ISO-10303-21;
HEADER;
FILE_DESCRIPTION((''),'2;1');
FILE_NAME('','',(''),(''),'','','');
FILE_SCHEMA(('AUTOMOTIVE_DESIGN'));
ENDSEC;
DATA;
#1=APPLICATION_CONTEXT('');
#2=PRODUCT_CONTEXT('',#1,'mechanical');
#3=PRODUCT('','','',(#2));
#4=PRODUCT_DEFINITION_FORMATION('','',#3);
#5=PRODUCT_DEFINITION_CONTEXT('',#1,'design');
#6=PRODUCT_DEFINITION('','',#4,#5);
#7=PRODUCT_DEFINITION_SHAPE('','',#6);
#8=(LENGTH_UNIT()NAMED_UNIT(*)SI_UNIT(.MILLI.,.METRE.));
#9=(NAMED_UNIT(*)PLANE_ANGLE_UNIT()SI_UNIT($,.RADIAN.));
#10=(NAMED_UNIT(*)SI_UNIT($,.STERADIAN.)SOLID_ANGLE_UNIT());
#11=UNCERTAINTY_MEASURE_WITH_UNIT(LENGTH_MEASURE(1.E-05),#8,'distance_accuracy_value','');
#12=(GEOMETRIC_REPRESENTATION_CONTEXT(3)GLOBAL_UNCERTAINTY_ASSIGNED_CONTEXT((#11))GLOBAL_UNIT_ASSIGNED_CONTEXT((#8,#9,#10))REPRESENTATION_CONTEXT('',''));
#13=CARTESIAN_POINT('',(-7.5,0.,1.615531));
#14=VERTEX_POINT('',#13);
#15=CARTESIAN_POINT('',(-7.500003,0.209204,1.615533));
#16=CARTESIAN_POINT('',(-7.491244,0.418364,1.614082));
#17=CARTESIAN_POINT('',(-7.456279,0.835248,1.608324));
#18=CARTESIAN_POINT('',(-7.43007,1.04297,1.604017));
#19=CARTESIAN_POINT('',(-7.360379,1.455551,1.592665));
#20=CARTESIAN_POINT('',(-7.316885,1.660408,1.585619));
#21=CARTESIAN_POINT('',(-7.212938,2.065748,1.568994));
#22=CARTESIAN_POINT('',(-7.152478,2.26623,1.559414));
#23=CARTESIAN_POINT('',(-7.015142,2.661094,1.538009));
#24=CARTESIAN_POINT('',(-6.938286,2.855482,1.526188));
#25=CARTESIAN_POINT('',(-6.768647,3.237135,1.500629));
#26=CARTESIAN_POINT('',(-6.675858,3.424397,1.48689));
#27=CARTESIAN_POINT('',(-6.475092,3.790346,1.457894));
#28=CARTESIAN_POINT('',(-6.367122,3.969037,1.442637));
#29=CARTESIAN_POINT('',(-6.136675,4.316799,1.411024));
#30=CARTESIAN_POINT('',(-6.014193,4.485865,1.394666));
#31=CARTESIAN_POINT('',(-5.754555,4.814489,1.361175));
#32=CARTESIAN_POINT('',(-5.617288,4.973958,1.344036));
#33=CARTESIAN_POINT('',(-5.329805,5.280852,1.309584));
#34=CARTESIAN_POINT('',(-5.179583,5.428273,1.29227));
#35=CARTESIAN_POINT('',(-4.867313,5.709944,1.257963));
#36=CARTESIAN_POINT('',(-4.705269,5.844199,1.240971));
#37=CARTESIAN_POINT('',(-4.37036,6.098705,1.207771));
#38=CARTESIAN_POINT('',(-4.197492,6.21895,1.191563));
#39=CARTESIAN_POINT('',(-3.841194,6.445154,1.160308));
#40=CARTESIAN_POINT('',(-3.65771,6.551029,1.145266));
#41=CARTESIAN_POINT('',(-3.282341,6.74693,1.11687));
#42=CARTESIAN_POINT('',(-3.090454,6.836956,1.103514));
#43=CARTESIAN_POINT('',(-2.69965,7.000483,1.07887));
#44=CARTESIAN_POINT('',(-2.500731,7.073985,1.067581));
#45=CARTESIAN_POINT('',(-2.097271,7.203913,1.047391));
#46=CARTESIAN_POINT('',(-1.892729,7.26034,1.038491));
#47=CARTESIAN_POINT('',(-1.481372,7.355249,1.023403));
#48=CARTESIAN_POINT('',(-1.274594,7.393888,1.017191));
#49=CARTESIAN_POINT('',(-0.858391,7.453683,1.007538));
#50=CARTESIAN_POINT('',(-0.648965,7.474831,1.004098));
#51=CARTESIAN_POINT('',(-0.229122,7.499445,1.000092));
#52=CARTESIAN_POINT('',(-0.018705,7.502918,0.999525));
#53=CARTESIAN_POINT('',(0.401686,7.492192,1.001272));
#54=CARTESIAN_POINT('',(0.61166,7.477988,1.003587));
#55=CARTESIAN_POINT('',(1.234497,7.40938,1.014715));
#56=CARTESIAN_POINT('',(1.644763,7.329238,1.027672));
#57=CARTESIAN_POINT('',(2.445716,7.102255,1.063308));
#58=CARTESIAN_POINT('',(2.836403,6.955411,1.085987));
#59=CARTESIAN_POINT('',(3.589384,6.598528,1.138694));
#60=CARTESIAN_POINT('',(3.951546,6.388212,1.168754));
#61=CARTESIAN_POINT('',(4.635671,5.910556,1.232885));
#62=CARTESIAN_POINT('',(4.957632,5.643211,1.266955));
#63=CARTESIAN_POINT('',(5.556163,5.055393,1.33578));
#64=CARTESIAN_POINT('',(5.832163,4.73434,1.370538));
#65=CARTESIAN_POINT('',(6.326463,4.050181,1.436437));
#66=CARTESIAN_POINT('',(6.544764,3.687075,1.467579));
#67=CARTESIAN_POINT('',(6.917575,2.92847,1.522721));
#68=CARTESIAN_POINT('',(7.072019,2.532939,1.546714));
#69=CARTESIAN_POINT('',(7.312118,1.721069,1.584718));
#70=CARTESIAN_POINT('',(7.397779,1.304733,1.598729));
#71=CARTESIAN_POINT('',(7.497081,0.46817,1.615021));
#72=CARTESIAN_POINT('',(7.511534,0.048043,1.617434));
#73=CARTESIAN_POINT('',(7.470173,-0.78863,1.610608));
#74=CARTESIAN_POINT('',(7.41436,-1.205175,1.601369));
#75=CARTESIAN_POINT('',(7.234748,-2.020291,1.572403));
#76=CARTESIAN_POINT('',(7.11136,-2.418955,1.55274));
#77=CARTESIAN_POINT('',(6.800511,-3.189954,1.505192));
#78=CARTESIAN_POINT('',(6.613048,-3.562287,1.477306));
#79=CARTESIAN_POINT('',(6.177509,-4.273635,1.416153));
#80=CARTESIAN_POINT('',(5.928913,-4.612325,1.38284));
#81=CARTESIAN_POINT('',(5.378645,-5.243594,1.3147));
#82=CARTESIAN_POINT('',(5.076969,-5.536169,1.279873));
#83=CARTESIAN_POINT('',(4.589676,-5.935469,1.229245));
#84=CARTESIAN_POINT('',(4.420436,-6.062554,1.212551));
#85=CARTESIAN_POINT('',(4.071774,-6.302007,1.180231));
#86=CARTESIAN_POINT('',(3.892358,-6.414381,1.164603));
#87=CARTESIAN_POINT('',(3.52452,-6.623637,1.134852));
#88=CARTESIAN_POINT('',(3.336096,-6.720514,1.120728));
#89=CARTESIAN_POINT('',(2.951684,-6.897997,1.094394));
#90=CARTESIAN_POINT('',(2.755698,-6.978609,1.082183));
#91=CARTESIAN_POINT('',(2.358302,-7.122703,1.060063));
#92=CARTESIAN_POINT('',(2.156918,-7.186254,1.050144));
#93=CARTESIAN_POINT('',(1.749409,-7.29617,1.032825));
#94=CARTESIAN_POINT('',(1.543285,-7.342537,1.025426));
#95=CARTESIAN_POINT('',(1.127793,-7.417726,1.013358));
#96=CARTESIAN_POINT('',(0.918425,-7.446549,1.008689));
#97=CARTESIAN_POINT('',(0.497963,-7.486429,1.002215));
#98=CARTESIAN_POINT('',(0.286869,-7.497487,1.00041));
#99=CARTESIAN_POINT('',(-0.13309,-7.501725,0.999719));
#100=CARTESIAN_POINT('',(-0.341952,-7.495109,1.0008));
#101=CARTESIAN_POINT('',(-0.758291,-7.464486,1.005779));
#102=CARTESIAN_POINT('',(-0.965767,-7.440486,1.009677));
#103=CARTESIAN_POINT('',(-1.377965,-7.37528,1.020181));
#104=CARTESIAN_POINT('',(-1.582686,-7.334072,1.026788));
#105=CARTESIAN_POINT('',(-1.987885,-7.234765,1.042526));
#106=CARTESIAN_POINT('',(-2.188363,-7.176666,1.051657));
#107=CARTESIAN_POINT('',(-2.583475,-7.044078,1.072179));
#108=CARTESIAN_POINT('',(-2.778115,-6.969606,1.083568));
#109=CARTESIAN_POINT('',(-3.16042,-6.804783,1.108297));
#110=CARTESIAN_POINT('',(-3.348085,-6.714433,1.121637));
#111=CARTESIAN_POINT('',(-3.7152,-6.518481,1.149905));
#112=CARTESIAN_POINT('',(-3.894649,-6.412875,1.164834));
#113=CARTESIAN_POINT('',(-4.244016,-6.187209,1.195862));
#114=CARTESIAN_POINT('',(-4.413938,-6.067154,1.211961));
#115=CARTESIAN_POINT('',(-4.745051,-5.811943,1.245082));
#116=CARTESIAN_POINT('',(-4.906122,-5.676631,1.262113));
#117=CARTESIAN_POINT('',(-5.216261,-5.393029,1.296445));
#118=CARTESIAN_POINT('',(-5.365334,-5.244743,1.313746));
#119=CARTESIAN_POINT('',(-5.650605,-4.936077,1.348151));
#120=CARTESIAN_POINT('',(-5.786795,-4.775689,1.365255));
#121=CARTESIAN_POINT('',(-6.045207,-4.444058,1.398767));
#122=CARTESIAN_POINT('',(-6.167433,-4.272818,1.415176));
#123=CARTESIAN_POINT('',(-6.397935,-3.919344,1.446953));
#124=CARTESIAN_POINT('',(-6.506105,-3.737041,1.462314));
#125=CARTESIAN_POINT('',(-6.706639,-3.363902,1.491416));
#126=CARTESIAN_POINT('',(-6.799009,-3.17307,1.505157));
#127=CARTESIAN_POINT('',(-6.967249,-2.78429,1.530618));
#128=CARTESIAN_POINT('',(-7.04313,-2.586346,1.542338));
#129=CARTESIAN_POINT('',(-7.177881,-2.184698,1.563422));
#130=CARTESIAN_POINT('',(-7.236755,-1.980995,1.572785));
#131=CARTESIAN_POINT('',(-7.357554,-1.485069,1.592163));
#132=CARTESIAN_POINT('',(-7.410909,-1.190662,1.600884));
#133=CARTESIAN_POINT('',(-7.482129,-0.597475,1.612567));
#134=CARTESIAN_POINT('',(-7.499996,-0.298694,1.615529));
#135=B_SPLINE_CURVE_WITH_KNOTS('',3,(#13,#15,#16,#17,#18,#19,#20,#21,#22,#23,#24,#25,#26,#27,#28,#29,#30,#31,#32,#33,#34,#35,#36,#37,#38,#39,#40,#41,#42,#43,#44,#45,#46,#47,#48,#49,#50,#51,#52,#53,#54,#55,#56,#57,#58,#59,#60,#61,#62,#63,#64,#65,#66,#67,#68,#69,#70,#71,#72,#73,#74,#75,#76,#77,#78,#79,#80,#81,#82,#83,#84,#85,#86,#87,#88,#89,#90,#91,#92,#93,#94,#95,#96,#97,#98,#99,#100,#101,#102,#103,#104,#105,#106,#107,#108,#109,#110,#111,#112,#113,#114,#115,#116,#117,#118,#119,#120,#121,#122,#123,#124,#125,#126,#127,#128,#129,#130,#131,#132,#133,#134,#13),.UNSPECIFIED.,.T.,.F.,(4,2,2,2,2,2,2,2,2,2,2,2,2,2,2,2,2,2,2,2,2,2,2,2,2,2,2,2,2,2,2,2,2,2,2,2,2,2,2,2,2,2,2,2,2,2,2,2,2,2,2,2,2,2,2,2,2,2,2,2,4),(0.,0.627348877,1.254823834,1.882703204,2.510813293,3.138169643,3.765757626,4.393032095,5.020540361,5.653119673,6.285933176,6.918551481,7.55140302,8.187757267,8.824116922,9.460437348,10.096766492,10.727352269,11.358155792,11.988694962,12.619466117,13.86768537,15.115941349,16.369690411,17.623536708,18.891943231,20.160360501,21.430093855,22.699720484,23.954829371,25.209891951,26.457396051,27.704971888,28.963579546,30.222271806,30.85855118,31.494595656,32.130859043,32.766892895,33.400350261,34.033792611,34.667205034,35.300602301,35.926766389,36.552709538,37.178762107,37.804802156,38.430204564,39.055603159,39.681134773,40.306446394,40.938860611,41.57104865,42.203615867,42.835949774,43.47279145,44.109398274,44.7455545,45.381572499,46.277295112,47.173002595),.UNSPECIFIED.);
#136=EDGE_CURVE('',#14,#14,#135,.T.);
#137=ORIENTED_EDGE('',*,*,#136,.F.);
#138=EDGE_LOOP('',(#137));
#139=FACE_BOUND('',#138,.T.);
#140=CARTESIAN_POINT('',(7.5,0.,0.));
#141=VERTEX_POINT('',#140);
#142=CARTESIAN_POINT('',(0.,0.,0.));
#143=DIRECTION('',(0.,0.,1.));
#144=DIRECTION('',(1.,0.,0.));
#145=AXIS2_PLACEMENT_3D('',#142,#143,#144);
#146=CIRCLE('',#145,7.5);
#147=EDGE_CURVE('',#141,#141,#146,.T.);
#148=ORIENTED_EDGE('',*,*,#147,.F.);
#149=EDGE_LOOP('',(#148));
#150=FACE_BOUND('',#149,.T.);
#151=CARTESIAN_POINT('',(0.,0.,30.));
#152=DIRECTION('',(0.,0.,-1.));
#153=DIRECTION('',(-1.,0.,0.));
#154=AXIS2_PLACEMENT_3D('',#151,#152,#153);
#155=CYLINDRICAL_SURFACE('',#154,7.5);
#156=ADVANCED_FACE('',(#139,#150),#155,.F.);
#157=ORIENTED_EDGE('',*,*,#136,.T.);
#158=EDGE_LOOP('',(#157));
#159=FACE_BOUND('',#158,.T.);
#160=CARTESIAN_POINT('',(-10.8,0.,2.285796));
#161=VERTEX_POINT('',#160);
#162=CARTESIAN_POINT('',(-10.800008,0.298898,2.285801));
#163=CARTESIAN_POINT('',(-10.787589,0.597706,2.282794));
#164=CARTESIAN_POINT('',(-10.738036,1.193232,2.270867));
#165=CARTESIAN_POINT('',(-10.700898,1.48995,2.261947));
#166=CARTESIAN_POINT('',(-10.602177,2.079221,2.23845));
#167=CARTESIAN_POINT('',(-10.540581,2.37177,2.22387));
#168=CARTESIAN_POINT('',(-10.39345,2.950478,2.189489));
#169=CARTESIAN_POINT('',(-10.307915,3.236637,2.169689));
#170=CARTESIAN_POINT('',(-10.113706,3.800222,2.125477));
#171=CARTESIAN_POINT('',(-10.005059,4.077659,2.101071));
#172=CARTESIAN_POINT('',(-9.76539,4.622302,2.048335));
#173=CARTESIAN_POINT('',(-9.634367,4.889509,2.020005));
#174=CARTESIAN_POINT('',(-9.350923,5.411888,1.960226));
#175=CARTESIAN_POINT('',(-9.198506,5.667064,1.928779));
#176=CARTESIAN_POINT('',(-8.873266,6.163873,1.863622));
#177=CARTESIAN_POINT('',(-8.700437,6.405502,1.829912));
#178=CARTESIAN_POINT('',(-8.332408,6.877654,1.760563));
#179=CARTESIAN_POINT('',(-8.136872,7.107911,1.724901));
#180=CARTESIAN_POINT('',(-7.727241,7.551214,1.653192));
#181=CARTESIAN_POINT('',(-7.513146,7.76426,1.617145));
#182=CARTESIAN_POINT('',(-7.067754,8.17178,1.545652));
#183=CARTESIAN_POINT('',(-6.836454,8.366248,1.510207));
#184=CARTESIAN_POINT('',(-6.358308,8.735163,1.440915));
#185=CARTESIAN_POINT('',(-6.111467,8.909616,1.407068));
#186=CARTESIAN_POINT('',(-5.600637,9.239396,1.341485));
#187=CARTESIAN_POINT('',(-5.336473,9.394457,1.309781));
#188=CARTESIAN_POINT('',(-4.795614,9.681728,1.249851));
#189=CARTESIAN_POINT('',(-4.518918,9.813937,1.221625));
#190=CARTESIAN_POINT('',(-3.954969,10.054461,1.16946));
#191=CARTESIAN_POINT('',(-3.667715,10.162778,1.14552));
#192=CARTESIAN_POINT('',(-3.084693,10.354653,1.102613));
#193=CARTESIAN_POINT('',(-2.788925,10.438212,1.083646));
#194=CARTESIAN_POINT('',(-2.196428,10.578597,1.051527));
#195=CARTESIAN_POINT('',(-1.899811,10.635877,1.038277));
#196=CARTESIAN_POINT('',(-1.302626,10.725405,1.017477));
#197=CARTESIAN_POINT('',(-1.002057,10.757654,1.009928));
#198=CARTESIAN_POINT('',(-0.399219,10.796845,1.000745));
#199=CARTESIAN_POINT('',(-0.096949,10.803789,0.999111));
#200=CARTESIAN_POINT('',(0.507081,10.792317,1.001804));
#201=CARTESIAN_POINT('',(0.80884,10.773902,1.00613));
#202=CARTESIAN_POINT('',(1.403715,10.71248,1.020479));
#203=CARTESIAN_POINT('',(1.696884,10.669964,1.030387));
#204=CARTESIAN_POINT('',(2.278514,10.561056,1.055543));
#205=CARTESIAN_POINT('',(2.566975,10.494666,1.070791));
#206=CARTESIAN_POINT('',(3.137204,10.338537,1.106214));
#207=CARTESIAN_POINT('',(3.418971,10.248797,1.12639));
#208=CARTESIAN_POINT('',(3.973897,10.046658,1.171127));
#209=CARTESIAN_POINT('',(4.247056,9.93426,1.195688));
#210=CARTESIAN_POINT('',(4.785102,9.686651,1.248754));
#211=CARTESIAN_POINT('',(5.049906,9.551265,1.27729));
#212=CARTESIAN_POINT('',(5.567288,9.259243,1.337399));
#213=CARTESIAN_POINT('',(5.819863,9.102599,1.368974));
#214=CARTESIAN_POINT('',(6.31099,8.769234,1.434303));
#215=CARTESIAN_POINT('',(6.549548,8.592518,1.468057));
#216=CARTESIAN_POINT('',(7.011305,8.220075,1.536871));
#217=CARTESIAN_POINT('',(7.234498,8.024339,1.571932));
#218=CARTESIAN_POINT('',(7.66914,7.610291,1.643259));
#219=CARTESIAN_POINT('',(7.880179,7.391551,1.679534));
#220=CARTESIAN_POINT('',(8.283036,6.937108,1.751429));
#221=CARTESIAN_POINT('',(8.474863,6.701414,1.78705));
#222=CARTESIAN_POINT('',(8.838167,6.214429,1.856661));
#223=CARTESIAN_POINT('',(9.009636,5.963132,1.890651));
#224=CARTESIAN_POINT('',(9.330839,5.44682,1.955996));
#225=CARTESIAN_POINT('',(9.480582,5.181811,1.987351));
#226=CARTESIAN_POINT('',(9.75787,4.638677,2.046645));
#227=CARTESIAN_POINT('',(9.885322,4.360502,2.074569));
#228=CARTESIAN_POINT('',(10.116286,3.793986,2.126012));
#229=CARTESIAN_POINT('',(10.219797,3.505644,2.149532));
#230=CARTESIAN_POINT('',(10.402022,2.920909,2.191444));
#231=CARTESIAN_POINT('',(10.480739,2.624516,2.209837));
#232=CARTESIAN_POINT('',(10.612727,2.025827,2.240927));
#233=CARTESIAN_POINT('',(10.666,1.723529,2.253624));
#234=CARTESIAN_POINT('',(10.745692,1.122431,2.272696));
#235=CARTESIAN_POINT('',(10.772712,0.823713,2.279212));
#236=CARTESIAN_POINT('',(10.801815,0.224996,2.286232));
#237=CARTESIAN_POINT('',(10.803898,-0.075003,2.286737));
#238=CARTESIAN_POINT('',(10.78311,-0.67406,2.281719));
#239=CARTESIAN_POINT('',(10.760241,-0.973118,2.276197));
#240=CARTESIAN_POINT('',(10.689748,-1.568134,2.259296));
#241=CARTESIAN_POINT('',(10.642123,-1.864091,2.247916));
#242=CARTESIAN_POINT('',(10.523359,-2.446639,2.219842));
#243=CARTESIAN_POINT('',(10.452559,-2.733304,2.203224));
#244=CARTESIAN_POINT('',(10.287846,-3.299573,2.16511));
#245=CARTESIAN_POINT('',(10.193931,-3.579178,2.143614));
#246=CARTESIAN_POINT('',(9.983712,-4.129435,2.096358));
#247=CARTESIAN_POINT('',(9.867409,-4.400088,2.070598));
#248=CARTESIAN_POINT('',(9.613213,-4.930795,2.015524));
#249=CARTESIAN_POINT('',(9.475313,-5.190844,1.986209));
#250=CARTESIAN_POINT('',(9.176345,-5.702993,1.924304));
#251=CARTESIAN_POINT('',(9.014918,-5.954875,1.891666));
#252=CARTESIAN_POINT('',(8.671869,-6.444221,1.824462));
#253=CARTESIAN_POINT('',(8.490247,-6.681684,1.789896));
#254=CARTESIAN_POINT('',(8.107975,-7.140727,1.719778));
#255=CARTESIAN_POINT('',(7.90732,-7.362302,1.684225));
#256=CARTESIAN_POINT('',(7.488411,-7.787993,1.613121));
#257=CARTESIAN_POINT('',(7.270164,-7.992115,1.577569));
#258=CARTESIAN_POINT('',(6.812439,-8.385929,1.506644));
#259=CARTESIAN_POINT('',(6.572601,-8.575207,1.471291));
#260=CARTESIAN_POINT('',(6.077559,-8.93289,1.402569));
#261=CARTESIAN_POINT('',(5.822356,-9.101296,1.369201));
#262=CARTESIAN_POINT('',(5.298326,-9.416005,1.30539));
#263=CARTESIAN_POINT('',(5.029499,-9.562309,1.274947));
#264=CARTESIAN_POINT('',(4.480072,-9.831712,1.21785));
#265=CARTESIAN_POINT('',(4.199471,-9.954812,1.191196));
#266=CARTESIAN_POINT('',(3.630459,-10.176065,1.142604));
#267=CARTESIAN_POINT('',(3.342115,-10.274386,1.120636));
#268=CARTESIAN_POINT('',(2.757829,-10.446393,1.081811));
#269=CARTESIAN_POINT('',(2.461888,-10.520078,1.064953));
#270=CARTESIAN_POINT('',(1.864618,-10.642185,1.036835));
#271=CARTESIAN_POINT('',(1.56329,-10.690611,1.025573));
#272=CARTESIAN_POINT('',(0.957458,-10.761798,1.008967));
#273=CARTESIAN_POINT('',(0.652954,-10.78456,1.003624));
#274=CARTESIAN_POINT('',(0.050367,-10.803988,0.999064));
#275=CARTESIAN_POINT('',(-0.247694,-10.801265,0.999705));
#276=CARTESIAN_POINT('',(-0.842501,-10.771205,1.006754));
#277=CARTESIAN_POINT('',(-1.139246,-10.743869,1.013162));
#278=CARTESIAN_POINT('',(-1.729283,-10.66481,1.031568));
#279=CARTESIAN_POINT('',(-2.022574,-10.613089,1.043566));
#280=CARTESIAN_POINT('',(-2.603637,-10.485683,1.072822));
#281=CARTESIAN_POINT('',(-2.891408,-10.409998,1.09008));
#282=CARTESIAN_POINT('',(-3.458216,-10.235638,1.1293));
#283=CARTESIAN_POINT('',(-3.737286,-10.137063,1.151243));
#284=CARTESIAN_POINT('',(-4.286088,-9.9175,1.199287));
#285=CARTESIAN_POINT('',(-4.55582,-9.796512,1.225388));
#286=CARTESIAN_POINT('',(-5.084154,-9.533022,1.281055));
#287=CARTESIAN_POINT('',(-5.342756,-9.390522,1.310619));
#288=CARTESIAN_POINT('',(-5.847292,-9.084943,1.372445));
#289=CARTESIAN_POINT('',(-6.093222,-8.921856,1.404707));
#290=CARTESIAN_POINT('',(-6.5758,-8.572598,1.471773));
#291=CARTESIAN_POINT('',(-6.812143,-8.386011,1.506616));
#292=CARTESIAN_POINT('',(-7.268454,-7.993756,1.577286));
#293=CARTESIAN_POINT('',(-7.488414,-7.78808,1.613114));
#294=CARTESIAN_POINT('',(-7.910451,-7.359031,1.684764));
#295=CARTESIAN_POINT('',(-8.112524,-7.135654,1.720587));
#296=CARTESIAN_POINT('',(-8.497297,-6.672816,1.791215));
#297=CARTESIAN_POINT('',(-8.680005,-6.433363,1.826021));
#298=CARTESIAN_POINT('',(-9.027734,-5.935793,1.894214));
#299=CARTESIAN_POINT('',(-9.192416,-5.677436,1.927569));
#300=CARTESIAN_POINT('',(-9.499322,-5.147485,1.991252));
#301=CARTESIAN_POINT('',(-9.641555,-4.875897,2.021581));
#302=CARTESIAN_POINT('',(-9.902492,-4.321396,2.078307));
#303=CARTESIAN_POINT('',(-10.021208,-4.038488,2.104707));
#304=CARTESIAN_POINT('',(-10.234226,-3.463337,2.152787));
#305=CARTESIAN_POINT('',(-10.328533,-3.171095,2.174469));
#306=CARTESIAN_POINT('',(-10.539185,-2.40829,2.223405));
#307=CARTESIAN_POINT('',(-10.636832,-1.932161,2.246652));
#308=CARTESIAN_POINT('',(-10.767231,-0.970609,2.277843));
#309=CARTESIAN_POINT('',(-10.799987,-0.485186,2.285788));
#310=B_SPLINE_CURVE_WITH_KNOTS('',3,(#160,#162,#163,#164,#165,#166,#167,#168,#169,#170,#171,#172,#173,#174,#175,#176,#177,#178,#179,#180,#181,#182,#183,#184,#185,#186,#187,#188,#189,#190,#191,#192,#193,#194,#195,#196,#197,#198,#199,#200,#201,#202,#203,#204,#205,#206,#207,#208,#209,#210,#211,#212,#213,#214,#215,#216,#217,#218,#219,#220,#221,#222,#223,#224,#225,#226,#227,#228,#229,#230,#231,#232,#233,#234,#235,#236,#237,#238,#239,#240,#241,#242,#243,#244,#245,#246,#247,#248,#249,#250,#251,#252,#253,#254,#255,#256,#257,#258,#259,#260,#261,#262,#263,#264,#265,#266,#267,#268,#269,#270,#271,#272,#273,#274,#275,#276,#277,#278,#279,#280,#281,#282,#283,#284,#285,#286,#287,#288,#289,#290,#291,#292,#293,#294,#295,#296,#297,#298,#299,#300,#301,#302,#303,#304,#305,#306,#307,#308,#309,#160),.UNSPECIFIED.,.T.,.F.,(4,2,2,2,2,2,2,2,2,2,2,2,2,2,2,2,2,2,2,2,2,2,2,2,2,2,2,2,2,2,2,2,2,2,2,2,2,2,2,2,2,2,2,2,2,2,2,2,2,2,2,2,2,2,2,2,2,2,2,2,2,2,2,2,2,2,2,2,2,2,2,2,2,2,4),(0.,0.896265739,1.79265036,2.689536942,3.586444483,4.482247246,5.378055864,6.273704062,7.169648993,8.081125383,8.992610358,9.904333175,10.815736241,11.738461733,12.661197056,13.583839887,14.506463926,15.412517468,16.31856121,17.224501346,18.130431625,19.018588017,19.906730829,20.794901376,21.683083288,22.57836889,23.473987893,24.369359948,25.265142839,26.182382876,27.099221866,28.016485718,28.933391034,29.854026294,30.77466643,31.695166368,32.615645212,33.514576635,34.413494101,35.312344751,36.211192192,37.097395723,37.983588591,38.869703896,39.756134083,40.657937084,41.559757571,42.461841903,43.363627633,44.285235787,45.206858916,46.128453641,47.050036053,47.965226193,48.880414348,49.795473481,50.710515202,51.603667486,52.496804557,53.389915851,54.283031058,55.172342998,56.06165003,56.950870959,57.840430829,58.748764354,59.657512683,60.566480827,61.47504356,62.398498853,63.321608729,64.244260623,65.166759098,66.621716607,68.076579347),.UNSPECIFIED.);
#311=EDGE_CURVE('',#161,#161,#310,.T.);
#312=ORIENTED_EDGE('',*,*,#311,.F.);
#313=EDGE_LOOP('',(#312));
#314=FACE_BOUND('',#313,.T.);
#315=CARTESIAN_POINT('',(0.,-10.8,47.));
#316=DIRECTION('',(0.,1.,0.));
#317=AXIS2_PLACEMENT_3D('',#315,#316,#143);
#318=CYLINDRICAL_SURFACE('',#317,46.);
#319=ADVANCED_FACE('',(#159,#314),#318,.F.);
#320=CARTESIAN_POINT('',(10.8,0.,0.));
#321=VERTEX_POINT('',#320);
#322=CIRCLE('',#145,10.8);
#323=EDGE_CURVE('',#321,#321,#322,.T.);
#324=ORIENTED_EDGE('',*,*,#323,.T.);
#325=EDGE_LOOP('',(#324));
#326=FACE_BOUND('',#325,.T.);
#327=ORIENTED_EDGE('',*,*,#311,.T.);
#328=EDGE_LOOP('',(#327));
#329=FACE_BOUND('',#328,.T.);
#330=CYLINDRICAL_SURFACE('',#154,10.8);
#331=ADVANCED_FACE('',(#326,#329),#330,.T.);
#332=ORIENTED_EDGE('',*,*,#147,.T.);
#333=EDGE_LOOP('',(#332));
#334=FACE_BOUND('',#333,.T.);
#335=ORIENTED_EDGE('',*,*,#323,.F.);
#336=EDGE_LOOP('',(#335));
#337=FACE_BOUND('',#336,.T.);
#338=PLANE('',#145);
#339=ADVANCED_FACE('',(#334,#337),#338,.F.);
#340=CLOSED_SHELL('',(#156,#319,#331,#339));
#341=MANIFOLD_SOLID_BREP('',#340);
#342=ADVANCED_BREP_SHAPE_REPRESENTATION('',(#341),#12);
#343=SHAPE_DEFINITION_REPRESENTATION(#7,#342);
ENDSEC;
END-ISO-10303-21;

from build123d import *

# Parameters (mm, degrees)
SKETCH1_R               = 10.8
SKETCH1_R_2             = 7.5
BOSS_EXTRUDE1_DEPTH     = 30
CUT_EXTRUDE1_DEPTH      = 34.664224334
CUT_EXTRUDE1_DEPTH_BACK = 34.664224334
SKETCH2_R               = 46


with BuildPart() as part:
    # Sketch1 → Boss-Extrude1 (new body)
    with BuildSketch(Plane.XY):
        Circle(SKETCH1_R)
        Circle(SKETCH1_R_2, mode=Mode.SUBTRACT)
    extrude(amount=BOSS_EXTRUDE1_DEPTH)

    # Sketch2 → Cut-Extrude1 (cut, two sides: drawn at the far end of the back side and taken through both)
    with BuildSketch(Plane(origin=(0, 0, 0), x_dir=(1, 0, 0), z_dir=(0, 1, 0)).offset(-CUT_EXTRUDE1_DEPTH_BACK)):
        with Locations((0, -47)):
            Circle(SKETCH2_R)
    extrude(amount=CUT_EXTRUDE1_DEPTH + CUT_EXTRUDE1_DEPTH_BACK, mode=Mode.SUBTRACT)


solid = part.part
